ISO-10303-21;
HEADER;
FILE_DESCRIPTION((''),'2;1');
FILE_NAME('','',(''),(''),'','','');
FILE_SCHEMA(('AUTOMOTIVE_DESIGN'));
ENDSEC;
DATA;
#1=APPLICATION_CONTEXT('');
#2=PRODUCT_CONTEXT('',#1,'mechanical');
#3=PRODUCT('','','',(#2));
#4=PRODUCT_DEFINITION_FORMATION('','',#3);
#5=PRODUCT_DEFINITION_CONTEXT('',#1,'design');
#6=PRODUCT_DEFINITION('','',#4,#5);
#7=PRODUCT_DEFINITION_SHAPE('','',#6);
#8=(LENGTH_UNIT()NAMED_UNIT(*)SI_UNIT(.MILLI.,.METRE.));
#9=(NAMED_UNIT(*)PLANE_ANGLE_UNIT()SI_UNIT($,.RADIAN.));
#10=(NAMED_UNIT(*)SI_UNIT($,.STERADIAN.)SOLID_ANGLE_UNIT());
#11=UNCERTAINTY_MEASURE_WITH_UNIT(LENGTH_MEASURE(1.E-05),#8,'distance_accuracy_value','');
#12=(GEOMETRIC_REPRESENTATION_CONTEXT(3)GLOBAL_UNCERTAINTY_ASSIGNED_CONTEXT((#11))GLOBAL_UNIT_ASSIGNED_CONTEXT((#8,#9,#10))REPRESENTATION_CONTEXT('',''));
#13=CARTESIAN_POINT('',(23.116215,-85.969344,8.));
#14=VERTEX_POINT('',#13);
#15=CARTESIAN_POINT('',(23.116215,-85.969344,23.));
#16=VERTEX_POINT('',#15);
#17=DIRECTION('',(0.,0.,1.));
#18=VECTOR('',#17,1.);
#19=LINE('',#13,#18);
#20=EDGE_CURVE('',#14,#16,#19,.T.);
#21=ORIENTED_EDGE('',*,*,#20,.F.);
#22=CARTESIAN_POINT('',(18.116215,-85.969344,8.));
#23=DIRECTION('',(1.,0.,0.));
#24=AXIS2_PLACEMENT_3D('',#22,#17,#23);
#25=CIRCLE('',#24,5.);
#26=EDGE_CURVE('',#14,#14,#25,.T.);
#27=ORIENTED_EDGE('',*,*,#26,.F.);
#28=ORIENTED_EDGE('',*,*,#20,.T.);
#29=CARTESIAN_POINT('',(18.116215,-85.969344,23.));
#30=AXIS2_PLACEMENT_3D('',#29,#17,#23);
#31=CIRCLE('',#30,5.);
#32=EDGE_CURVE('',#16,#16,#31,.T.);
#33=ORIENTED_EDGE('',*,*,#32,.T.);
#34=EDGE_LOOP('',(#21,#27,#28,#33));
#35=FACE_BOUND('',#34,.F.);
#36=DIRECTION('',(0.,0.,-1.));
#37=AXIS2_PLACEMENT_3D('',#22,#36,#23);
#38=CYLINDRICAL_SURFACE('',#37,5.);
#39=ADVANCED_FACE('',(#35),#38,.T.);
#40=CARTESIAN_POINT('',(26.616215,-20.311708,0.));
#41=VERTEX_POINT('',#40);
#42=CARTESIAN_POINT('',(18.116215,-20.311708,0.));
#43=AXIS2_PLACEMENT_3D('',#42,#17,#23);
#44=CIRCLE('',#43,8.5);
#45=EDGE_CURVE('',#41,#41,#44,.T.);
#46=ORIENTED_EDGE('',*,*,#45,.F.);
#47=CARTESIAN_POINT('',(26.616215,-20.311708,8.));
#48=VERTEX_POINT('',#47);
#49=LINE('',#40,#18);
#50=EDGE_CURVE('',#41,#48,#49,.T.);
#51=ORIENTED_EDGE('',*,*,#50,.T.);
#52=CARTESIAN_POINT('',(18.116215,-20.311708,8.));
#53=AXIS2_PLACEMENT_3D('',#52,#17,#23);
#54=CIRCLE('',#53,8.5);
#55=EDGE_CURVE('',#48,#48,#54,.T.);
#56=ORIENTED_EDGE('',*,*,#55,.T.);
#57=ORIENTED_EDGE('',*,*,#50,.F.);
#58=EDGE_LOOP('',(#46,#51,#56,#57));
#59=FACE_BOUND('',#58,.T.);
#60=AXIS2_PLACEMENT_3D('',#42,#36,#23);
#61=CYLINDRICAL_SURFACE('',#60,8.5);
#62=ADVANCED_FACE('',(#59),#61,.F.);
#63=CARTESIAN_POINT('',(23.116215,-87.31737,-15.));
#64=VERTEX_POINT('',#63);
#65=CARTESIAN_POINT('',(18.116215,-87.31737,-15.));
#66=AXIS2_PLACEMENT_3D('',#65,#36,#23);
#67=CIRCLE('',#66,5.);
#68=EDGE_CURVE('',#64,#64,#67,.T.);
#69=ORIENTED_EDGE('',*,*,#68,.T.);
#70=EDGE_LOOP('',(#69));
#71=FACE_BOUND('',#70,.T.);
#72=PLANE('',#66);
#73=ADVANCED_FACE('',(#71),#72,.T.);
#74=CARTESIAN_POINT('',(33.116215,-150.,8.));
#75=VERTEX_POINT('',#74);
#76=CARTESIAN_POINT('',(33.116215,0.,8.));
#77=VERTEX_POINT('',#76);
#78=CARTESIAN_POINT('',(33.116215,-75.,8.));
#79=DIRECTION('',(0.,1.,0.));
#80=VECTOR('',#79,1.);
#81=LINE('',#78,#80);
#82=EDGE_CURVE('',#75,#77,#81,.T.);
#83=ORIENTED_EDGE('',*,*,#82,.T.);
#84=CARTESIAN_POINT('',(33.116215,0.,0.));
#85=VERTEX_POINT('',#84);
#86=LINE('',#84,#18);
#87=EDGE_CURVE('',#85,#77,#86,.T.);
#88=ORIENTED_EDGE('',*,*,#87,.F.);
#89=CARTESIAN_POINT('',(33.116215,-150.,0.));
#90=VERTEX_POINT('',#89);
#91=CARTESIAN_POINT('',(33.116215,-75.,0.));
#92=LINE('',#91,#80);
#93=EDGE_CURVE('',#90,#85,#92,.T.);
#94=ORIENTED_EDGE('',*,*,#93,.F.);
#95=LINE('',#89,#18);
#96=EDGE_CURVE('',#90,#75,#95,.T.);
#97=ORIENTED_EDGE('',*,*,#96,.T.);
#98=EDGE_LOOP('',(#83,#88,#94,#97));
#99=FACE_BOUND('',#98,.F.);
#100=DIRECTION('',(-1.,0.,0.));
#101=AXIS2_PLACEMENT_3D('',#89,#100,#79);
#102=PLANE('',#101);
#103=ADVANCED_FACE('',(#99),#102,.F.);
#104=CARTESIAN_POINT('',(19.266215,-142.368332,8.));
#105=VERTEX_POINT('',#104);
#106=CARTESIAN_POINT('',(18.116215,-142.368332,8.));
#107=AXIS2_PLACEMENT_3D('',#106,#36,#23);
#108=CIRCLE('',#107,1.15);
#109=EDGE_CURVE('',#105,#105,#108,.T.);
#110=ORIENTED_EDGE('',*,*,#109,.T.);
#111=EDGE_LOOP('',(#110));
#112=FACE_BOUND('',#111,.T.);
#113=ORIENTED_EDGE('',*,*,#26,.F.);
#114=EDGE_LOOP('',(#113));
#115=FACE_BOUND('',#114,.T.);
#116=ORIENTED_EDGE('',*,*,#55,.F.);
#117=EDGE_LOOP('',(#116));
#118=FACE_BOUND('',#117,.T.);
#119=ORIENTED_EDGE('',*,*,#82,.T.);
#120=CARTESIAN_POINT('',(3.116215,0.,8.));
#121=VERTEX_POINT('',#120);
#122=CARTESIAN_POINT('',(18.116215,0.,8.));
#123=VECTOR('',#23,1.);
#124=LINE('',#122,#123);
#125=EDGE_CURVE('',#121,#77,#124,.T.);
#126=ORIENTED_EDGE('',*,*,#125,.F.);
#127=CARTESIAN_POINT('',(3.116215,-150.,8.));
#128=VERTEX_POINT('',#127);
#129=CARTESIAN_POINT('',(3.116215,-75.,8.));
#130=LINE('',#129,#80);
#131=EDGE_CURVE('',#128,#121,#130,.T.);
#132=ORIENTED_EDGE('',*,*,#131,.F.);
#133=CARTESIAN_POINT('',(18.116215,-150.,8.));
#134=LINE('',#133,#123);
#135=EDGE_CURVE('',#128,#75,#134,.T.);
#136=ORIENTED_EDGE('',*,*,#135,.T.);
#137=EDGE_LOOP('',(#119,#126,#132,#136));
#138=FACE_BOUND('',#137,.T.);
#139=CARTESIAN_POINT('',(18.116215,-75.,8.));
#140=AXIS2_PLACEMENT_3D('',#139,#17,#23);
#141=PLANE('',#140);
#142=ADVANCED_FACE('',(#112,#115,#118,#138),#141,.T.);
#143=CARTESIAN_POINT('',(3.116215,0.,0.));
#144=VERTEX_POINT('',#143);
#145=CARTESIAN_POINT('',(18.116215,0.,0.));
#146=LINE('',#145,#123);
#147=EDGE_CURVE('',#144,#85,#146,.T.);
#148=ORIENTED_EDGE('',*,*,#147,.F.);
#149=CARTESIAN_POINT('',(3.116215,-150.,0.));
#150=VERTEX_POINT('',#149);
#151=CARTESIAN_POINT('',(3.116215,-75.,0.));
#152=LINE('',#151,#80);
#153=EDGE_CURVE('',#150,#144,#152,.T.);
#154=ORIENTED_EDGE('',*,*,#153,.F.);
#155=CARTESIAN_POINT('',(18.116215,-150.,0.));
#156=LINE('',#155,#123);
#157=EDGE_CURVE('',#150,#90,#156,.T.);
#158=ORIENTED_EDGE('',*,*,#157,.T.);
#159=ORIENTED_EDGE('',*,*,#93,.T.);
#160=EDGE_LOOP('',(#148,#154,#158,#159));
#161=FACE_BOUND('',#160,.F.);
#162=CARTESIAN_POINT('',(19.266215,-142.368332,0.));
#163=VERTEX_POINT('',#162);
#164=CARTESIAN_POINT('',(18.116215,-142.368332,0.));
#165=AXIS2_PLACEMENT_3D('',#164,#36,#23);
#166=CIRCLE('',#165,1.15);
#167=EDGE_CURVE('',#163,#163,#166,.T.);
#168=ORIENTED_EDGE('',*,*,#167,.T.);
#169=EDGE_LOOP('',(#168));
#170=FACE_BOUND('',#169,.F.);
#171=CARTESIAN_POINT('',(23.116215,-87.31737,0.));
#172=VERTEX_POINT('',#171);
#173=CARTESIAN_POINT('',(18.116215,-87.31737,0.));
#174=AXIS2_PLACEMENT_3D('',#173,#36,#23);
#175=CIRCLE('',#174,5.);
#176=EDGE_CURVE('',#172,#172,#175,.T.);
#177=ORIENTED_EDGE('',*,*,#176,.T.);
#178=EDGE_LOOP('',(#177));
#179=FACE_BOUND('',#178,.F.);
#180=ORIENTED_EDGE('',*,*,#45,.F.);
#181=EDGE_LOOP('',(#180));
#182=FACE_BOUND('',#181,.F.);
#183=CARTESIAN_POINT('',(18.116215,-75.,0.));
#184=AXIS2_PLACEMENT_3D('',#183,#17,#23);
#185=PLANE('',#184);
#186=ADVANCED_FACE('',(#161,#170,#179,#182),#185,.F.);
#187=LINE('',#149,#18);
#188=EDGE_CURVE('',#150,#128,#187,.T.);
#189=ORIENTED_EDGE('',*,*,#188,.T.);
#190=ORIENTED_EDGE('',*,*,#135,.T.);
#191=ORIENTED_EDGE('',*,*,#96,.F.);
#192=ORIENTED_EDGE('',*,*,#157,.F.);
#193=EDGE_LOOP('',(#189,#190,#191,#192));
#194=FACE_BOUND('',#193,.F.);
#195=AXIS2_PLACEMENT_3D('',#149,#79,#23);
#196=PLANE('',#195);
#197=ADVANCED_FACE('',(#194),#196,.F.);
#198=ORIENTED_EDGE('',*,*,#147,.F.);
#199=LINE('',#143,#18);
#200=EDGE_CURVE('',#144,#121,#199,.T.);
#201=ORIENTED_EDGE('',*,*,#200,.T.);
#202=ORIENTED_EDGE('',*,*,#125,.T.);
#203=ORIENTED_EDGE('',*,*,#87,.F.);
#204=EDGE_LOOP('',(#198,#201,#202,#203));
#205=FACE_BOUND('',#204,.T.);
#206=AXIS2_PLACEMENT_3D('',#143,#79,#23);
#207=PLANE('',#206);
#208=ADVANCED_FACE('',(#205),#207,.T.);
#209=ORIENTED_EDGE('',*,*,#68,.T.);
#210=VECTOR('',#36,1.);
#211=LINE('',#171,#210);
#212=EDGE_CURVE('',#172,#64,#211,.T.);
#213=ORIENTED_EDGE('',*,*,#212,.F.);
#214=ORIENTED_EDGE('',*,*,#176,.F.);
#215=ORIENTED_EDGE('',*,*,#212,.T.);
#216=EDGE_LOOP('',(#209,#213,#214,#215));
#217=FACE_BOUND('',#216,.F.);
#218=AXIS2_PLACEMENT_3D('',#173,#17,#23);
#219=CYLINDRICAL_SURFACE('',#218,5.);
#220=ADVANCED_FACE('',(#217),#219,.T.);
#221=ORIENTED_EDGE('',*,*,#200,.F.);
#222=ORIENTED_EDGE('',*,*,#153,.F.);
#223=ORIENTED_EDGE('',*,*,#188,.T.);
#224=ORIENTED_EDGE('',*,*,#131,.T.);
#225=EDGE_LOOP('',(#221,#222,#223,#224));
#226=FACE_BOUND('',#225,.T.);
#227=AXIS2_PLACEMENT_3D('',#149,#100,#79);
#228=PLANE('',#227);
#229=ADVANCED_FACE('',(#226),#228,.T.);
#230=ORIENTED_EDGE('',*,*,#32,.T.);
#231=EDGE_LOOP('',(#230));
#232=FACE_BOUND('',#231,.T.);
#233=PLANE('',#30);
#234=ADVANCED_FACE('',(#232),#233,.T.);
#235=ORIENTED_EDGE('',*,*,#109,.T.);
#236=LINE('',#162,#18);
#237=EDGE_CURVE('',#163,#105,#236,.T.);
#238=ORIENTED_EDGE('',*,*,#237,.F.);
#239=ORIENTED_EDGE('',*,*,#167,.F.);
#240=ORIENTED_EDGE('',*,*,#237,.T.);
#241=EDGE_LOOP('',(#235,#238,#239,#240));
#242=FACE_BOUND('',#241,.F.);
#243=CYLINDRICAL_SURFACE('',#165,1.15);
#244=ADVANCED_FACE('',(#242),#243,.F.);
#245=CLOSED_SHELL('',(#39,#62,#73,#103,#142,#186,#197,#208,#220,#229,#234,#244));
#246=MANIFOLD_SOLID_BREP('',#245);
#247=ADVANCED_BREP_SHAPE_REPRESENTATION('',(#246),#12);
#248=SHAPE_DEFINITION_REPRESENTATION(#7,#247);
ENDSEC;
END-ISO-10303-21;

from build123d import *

# Parameters (mm, degrees)
F0_W     = 30
F0_H     = 150
F0_R     = 8.5
F1_DEPTH = 8
F2_R     = 5
F3_DEPTH = 15
F4_R     = 5
F5_DEPTH = 15
F6_R     = 1.15
F7_DEPTH = 25


with BuildPart() as f1:
    # F0 (on Top) → F1 (new body)
    with BuildSketch(Plane.XY):
        with Locations((18.116215, -75)):
            Rectangle(F0_W, F0_H)
        with Locations((18.116215, -20.311708)):
            Circle(F0_R, mode=Mode.SUBTRACT)
    extrude(amount=F1_DEPTH)

    # F2 (on face) → F3 (join)
    with BuildSketch(Plane.XY.offset(8)):
        with Locations((18.116215, -85.969344)):
            Circle(F2_R)
    extrude(amount=F3_DEPTH)

    # F4 (on face) → F5 (join)
    with BuildSketch(Plane(origin=(0, 0, 0), x_dir=(1, 0, 0), z_dir=(0, 0, -1))):
        with Locations((18.116215, 87.31737)):
            Circle(F4_R)
    extrude(amount=F5_DEPTH)

    # F6 (on face) → F7 (cut)
    with BuildSketch(Plane(origin=(0, 0, 0), x_dir=(1, 0, 0), z_dir=(0, 0, -1))):
        with Locations((18.116215, 142.368332)):
            Circle(F6_R)
    extrude(amount=-F7_DEPTH, mode=Mode.SUBTRACT)


solid = f1.part
